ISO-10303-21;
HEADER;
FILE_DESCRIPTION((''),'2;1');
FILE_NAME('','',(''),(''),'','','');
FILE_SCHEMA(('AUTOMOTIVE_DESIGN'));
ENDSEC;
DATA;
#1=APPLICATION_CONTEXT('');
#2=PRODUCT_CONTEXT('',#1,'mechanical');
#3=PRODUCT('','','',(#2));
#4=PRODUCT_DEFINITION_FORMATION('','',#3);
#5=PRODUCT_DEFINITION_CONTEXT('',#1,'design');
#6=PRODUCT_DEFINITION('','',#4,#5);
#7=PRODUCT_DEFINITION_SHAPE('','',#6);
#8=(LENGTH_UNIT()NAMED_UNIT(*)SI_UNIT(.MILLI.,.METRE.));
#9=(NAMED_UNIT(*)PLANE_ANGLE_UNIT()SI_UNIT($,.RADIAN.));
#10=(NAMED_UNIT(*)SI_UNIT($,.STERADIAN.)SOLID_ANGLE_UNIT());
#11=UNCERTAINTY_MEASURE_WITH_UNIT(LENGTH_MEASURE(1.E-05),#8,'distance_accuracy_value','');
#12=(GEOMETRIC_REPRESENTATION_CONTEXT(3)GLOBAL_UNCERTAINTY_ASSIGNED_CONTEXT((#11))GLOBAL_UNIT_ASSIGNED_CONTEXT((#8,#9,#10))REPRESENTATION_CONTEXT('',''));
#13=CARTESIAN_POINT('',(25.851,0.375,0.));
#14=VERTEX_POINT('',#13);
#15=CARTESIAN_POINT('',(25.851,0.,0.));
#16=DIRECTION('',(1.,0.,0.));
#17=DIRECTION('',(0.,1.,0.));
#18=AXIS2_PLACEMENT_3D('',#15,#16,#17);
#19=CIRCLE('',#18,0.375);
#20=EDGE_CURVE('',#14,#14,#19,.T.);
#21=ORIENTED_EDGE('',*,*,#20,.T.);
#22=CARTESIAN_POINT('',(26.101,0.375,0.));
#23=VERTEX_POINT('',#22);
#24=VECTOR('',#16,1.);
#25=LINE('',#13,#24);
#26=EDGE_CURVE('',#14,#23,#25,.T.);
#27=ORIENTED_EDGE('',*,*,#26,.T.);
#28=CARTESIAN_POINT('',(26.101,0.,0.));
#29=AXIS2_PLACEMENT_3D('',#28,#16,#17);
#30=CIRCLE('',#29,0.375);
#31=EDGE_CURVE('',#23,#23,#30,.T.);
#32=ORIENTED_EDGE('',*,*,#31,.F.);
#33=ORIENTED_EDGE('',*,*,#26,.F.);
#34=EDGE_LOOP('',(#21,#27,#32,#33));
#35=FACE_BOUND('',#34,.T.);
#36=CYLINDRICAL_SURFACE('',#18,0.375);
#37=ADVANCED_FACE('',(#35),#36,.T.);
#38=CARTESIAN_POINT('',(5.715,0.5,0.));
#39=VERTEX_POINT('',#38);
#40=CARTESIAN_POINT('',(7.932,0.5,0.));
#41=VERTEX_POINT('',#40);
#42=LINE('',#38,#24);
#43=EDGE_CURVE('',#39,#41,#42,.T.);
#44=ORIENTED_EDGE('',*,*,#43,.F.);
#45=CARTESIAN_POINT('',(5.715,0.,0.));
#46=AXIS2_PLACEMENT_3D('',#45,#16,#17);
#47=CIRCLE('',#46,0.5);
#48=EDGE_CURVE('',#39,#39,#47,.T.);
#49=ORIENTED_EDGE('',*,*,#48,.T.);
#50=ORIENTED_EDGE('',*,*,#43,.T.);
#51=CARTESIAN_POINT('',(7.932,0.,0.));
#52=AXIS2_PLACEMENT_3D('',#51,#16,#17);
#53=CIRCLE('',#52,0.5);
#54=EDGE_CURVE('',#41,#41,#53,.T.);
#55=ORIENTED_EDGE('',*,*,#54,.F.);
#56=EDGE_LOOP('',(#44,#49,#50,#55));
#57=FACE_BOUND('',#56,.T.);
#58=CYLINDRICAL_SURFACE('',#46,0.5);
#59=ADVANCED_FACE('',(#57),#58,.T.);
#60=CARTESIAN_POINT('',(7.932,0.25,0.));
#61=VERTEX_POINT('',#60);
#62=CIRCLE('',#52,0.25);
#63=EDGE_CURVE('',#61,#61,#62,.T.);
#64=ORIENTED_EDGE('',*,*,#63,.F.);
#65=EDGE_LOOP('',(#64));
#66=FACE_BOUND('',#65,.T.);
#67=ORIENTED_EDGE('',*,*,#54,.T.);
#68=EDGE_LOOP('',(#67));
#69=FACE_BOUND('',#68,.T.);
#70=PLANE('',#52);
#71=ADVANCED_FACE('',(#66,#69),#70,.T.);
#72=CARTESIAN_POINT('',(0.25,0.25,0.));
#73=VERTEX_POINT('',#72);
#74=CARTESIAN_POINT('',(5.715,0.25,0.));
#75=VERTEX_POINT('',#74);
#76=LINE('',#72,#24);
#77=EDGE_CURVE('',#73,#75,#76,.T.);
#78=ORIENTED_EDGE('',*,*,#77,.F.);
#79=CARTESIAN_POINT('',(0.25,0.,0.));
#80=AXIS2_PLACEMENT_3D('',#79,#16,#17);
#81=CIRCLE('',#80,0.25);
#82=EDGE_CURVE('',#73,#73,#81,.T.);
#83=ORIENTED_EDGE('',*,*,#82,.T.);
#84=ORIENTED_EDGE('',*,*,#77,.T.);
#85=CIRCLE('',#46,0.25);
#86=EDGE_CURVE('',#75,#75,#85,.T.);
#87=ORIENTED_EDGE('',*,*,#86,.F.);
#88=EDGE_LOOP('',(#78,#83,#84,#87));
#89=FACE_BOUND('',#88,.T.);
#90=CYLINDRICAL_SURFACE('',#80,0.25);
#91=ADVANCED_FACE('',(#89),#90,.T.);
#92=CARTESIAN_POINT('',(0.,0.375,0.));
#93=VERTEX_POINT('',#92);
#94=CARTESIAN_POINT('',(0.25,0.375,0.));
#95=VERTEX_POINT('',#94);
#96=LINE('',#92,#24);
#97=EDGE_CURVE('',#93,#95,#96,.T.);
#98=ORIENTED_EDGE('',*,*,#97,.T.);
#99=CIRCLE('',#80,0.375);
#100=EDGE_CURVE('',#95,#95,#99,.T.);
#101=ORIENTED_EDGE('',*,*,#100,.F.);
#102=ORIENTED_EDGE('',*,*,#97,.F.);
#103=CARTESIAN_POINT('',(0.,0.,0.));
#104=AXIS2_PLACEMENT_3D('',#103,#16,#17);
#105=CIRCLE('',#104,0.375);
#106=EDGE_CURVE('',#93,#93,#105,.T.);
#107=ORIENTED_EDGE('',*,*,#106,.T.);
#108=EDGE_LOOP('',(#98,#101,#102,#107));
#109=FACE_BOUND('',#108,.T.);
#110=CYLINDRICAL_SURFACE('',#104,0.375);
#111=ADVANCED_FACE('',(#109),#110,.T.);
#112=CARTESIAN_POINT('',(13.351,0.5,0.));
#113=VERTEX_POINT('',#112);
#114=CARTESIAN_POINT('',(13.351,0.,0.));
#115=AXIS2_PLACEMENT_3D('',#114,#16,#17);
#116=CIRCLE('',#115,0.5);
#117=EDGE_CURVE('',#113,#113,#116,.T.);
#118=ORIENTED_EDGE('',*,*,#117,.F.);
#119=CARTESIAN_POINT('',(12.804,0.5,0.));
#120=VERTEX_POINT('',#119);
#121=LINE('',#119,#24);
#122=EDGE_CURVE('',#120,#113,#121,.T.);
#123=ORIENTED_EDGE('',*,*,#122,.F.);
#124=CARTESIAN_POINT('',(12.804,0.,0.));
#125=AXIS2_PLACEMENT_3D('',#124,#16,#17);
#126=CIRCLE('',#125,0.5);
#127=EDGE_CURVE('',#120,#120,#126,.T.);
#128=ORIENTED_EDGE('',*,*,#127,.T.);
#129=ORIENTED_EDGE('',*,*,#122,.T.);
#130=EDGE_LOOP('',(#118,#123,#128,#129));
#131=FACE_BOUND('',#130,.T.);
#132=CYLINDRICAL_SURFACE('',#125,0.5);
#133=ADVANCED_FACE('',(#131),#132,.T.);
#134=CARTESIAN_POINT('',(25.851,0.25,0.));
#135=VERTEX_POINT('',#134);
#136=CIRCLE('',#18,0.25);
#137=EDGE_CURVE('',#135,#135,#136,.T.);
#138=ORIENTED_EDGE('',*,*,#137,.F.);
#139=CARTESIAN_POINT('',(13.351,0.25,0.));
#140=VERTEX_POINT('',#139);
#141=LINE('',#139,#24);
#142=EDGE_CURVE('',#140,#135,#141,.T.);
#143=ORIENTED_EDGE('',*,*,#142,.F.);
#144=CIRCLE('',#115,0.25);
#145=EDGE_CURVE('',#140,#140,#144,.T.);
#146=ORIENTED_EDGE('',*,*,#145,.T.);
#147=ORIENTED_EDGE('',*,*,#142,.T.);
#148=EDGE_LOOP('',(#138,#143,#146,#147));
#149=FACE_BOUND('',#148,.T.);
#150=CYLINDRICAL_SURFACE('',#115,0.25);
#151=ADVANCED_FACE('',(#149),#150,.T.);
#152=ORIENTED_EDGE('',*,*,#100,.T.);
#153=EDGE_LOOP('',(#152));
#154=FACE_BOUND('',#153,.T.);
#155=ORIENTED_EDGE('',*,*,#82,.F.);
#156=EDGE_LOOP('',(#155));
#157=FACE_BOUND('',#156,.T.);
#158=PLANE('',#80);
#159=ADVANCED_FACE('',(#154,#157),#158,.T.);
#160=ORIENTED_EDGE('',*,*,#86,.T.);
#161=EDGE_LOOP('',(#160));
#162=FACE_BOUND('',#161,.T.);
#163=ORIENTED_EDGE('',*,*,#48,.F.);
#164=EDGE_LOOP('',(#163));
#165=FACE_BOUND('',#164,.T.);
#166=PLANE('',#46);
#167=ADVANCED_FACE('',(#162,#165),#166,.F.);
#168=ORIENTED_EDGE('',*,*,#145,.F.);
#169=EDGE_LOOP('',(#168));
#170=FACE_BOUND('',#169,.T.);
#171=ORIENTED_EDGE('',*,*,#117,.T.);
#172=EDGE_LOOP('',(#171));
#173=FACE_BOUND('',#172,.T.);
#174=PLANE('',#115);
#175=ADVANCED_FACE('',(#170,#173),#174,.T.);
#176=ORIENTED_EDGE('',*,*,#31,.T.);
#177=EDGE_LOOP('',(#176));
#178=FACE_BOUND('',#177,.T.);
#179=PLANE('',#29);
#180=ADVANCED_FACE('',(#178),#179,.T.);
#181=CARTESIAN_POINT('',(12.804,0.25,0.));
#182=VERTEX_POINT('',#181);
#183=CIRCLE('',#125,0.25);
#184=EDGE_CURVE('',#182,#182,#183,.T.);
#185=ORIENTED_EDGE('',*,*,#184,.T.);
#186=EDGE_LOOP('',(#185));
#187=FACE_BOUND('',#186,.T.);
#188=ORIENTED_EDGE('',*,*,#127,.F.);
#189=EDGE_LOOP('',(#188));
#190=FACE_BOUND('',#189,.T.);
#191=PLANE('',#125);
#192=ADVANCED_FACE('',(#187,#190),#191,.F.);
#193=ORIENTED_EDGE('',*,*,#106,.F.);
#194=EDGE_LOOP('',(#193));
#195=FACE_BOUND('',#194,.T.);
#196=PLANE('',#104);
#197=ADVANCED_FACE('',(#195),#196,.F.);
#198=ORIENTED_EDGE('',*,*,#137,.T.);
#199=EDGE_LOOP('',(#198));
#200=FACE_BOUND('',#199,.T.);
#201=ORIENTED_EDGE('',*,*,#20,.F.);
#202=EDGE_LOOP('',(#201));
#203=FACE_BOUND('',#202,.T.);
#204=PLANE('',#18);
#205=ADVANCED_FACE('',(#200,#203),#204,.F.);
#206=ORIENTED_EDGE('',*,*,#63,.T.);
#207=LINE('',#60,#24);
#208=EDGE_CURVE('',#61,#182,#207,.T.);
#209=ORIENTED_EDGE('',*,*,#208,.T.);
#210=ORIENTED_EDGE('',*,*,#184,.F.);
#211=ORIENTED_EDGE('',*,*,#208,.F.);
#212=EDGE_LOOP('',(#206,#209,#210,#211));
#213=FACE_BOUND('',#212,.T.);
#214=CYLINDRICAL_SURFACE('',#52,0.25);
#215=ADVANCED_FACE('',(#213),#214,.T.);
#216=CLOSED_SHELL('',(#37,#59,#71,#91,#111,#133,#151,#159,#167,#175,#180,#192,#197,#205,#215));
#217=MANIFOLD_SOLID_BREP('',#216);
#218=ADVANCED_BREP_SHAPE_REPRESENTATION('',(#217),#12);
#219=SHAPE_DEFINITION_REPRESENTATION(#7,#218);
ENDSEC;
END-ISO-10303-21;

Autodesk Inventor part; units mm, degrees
ref_plane "Start Plane" through (0, 0, 0) normal (1, 0, 0) x (0, 1, 0)
ref_plane "XZ Plane" through (0, 0, 0) normal (0, 1, 0) x (-1, 0, 0)
ref_plane "XY Plane" through (0, 0, 0) normal (0, 0, 1) x (1, 0, 0)
sketch "Main Sketch" plane through (0, 0, 0) normal (0, 0, 1) x (1, 0, 0)
  line L0 (0, 0) -> (26.101, 0)
  line L1 (0, 0) -> (0, 0.375)
  line L2 (0.25, 0.375) -> (0.25, 0.25)
  line L3 (0, 0.375) -> (0.25, 0.375)
  line L4 (5.715, 0.25) -> (5.715, 0.5)
  line L5 (0.25, 0.25) -> (5.715, 0.25)
  line L6 (7.932, 0.5) -> (7.932, 0.25)
  line L7 (5.715, 0.5) -> (7.932, 0.5)
  line L8 (7.932, 0.25) -> (12.804, 0.25)
  line L9 (13.351, 0.5) -> (13.351, 0.25)
  line L10 (12.804, 0.5) -> (13.351, 0.5)
  line L11 (13.351, 0.25) -> (25.851, 0.25)
  line L12 (25.851, 0.25) -> (25.851, 0.375)
  line L13 (26.101, 0.375) -> (26.101, 0)
  line L14 (25.851, 0.375) -> (26.101, 0.375)
  line L15 (12.804, 0.25) -> (12.804, 0.5)
  dimension "d3" = 0.75
  dimension "d6" = 0.5
  dimension "d7" = 1
  dimension "d8" = 0.5
  dimension "d9" = 1
  dimension "d10" = 0.5
  dimension "d11" = 0.75
revolve "Revolution1" add sketch "Main Sketch" angle 360 about axis through (0, 0, 0) along (1, 0, 0)
fillet "Fillet1" [suppressed]
equation "\"Length\" = 26.101"
properties part number "Shaft" material "Steel"
